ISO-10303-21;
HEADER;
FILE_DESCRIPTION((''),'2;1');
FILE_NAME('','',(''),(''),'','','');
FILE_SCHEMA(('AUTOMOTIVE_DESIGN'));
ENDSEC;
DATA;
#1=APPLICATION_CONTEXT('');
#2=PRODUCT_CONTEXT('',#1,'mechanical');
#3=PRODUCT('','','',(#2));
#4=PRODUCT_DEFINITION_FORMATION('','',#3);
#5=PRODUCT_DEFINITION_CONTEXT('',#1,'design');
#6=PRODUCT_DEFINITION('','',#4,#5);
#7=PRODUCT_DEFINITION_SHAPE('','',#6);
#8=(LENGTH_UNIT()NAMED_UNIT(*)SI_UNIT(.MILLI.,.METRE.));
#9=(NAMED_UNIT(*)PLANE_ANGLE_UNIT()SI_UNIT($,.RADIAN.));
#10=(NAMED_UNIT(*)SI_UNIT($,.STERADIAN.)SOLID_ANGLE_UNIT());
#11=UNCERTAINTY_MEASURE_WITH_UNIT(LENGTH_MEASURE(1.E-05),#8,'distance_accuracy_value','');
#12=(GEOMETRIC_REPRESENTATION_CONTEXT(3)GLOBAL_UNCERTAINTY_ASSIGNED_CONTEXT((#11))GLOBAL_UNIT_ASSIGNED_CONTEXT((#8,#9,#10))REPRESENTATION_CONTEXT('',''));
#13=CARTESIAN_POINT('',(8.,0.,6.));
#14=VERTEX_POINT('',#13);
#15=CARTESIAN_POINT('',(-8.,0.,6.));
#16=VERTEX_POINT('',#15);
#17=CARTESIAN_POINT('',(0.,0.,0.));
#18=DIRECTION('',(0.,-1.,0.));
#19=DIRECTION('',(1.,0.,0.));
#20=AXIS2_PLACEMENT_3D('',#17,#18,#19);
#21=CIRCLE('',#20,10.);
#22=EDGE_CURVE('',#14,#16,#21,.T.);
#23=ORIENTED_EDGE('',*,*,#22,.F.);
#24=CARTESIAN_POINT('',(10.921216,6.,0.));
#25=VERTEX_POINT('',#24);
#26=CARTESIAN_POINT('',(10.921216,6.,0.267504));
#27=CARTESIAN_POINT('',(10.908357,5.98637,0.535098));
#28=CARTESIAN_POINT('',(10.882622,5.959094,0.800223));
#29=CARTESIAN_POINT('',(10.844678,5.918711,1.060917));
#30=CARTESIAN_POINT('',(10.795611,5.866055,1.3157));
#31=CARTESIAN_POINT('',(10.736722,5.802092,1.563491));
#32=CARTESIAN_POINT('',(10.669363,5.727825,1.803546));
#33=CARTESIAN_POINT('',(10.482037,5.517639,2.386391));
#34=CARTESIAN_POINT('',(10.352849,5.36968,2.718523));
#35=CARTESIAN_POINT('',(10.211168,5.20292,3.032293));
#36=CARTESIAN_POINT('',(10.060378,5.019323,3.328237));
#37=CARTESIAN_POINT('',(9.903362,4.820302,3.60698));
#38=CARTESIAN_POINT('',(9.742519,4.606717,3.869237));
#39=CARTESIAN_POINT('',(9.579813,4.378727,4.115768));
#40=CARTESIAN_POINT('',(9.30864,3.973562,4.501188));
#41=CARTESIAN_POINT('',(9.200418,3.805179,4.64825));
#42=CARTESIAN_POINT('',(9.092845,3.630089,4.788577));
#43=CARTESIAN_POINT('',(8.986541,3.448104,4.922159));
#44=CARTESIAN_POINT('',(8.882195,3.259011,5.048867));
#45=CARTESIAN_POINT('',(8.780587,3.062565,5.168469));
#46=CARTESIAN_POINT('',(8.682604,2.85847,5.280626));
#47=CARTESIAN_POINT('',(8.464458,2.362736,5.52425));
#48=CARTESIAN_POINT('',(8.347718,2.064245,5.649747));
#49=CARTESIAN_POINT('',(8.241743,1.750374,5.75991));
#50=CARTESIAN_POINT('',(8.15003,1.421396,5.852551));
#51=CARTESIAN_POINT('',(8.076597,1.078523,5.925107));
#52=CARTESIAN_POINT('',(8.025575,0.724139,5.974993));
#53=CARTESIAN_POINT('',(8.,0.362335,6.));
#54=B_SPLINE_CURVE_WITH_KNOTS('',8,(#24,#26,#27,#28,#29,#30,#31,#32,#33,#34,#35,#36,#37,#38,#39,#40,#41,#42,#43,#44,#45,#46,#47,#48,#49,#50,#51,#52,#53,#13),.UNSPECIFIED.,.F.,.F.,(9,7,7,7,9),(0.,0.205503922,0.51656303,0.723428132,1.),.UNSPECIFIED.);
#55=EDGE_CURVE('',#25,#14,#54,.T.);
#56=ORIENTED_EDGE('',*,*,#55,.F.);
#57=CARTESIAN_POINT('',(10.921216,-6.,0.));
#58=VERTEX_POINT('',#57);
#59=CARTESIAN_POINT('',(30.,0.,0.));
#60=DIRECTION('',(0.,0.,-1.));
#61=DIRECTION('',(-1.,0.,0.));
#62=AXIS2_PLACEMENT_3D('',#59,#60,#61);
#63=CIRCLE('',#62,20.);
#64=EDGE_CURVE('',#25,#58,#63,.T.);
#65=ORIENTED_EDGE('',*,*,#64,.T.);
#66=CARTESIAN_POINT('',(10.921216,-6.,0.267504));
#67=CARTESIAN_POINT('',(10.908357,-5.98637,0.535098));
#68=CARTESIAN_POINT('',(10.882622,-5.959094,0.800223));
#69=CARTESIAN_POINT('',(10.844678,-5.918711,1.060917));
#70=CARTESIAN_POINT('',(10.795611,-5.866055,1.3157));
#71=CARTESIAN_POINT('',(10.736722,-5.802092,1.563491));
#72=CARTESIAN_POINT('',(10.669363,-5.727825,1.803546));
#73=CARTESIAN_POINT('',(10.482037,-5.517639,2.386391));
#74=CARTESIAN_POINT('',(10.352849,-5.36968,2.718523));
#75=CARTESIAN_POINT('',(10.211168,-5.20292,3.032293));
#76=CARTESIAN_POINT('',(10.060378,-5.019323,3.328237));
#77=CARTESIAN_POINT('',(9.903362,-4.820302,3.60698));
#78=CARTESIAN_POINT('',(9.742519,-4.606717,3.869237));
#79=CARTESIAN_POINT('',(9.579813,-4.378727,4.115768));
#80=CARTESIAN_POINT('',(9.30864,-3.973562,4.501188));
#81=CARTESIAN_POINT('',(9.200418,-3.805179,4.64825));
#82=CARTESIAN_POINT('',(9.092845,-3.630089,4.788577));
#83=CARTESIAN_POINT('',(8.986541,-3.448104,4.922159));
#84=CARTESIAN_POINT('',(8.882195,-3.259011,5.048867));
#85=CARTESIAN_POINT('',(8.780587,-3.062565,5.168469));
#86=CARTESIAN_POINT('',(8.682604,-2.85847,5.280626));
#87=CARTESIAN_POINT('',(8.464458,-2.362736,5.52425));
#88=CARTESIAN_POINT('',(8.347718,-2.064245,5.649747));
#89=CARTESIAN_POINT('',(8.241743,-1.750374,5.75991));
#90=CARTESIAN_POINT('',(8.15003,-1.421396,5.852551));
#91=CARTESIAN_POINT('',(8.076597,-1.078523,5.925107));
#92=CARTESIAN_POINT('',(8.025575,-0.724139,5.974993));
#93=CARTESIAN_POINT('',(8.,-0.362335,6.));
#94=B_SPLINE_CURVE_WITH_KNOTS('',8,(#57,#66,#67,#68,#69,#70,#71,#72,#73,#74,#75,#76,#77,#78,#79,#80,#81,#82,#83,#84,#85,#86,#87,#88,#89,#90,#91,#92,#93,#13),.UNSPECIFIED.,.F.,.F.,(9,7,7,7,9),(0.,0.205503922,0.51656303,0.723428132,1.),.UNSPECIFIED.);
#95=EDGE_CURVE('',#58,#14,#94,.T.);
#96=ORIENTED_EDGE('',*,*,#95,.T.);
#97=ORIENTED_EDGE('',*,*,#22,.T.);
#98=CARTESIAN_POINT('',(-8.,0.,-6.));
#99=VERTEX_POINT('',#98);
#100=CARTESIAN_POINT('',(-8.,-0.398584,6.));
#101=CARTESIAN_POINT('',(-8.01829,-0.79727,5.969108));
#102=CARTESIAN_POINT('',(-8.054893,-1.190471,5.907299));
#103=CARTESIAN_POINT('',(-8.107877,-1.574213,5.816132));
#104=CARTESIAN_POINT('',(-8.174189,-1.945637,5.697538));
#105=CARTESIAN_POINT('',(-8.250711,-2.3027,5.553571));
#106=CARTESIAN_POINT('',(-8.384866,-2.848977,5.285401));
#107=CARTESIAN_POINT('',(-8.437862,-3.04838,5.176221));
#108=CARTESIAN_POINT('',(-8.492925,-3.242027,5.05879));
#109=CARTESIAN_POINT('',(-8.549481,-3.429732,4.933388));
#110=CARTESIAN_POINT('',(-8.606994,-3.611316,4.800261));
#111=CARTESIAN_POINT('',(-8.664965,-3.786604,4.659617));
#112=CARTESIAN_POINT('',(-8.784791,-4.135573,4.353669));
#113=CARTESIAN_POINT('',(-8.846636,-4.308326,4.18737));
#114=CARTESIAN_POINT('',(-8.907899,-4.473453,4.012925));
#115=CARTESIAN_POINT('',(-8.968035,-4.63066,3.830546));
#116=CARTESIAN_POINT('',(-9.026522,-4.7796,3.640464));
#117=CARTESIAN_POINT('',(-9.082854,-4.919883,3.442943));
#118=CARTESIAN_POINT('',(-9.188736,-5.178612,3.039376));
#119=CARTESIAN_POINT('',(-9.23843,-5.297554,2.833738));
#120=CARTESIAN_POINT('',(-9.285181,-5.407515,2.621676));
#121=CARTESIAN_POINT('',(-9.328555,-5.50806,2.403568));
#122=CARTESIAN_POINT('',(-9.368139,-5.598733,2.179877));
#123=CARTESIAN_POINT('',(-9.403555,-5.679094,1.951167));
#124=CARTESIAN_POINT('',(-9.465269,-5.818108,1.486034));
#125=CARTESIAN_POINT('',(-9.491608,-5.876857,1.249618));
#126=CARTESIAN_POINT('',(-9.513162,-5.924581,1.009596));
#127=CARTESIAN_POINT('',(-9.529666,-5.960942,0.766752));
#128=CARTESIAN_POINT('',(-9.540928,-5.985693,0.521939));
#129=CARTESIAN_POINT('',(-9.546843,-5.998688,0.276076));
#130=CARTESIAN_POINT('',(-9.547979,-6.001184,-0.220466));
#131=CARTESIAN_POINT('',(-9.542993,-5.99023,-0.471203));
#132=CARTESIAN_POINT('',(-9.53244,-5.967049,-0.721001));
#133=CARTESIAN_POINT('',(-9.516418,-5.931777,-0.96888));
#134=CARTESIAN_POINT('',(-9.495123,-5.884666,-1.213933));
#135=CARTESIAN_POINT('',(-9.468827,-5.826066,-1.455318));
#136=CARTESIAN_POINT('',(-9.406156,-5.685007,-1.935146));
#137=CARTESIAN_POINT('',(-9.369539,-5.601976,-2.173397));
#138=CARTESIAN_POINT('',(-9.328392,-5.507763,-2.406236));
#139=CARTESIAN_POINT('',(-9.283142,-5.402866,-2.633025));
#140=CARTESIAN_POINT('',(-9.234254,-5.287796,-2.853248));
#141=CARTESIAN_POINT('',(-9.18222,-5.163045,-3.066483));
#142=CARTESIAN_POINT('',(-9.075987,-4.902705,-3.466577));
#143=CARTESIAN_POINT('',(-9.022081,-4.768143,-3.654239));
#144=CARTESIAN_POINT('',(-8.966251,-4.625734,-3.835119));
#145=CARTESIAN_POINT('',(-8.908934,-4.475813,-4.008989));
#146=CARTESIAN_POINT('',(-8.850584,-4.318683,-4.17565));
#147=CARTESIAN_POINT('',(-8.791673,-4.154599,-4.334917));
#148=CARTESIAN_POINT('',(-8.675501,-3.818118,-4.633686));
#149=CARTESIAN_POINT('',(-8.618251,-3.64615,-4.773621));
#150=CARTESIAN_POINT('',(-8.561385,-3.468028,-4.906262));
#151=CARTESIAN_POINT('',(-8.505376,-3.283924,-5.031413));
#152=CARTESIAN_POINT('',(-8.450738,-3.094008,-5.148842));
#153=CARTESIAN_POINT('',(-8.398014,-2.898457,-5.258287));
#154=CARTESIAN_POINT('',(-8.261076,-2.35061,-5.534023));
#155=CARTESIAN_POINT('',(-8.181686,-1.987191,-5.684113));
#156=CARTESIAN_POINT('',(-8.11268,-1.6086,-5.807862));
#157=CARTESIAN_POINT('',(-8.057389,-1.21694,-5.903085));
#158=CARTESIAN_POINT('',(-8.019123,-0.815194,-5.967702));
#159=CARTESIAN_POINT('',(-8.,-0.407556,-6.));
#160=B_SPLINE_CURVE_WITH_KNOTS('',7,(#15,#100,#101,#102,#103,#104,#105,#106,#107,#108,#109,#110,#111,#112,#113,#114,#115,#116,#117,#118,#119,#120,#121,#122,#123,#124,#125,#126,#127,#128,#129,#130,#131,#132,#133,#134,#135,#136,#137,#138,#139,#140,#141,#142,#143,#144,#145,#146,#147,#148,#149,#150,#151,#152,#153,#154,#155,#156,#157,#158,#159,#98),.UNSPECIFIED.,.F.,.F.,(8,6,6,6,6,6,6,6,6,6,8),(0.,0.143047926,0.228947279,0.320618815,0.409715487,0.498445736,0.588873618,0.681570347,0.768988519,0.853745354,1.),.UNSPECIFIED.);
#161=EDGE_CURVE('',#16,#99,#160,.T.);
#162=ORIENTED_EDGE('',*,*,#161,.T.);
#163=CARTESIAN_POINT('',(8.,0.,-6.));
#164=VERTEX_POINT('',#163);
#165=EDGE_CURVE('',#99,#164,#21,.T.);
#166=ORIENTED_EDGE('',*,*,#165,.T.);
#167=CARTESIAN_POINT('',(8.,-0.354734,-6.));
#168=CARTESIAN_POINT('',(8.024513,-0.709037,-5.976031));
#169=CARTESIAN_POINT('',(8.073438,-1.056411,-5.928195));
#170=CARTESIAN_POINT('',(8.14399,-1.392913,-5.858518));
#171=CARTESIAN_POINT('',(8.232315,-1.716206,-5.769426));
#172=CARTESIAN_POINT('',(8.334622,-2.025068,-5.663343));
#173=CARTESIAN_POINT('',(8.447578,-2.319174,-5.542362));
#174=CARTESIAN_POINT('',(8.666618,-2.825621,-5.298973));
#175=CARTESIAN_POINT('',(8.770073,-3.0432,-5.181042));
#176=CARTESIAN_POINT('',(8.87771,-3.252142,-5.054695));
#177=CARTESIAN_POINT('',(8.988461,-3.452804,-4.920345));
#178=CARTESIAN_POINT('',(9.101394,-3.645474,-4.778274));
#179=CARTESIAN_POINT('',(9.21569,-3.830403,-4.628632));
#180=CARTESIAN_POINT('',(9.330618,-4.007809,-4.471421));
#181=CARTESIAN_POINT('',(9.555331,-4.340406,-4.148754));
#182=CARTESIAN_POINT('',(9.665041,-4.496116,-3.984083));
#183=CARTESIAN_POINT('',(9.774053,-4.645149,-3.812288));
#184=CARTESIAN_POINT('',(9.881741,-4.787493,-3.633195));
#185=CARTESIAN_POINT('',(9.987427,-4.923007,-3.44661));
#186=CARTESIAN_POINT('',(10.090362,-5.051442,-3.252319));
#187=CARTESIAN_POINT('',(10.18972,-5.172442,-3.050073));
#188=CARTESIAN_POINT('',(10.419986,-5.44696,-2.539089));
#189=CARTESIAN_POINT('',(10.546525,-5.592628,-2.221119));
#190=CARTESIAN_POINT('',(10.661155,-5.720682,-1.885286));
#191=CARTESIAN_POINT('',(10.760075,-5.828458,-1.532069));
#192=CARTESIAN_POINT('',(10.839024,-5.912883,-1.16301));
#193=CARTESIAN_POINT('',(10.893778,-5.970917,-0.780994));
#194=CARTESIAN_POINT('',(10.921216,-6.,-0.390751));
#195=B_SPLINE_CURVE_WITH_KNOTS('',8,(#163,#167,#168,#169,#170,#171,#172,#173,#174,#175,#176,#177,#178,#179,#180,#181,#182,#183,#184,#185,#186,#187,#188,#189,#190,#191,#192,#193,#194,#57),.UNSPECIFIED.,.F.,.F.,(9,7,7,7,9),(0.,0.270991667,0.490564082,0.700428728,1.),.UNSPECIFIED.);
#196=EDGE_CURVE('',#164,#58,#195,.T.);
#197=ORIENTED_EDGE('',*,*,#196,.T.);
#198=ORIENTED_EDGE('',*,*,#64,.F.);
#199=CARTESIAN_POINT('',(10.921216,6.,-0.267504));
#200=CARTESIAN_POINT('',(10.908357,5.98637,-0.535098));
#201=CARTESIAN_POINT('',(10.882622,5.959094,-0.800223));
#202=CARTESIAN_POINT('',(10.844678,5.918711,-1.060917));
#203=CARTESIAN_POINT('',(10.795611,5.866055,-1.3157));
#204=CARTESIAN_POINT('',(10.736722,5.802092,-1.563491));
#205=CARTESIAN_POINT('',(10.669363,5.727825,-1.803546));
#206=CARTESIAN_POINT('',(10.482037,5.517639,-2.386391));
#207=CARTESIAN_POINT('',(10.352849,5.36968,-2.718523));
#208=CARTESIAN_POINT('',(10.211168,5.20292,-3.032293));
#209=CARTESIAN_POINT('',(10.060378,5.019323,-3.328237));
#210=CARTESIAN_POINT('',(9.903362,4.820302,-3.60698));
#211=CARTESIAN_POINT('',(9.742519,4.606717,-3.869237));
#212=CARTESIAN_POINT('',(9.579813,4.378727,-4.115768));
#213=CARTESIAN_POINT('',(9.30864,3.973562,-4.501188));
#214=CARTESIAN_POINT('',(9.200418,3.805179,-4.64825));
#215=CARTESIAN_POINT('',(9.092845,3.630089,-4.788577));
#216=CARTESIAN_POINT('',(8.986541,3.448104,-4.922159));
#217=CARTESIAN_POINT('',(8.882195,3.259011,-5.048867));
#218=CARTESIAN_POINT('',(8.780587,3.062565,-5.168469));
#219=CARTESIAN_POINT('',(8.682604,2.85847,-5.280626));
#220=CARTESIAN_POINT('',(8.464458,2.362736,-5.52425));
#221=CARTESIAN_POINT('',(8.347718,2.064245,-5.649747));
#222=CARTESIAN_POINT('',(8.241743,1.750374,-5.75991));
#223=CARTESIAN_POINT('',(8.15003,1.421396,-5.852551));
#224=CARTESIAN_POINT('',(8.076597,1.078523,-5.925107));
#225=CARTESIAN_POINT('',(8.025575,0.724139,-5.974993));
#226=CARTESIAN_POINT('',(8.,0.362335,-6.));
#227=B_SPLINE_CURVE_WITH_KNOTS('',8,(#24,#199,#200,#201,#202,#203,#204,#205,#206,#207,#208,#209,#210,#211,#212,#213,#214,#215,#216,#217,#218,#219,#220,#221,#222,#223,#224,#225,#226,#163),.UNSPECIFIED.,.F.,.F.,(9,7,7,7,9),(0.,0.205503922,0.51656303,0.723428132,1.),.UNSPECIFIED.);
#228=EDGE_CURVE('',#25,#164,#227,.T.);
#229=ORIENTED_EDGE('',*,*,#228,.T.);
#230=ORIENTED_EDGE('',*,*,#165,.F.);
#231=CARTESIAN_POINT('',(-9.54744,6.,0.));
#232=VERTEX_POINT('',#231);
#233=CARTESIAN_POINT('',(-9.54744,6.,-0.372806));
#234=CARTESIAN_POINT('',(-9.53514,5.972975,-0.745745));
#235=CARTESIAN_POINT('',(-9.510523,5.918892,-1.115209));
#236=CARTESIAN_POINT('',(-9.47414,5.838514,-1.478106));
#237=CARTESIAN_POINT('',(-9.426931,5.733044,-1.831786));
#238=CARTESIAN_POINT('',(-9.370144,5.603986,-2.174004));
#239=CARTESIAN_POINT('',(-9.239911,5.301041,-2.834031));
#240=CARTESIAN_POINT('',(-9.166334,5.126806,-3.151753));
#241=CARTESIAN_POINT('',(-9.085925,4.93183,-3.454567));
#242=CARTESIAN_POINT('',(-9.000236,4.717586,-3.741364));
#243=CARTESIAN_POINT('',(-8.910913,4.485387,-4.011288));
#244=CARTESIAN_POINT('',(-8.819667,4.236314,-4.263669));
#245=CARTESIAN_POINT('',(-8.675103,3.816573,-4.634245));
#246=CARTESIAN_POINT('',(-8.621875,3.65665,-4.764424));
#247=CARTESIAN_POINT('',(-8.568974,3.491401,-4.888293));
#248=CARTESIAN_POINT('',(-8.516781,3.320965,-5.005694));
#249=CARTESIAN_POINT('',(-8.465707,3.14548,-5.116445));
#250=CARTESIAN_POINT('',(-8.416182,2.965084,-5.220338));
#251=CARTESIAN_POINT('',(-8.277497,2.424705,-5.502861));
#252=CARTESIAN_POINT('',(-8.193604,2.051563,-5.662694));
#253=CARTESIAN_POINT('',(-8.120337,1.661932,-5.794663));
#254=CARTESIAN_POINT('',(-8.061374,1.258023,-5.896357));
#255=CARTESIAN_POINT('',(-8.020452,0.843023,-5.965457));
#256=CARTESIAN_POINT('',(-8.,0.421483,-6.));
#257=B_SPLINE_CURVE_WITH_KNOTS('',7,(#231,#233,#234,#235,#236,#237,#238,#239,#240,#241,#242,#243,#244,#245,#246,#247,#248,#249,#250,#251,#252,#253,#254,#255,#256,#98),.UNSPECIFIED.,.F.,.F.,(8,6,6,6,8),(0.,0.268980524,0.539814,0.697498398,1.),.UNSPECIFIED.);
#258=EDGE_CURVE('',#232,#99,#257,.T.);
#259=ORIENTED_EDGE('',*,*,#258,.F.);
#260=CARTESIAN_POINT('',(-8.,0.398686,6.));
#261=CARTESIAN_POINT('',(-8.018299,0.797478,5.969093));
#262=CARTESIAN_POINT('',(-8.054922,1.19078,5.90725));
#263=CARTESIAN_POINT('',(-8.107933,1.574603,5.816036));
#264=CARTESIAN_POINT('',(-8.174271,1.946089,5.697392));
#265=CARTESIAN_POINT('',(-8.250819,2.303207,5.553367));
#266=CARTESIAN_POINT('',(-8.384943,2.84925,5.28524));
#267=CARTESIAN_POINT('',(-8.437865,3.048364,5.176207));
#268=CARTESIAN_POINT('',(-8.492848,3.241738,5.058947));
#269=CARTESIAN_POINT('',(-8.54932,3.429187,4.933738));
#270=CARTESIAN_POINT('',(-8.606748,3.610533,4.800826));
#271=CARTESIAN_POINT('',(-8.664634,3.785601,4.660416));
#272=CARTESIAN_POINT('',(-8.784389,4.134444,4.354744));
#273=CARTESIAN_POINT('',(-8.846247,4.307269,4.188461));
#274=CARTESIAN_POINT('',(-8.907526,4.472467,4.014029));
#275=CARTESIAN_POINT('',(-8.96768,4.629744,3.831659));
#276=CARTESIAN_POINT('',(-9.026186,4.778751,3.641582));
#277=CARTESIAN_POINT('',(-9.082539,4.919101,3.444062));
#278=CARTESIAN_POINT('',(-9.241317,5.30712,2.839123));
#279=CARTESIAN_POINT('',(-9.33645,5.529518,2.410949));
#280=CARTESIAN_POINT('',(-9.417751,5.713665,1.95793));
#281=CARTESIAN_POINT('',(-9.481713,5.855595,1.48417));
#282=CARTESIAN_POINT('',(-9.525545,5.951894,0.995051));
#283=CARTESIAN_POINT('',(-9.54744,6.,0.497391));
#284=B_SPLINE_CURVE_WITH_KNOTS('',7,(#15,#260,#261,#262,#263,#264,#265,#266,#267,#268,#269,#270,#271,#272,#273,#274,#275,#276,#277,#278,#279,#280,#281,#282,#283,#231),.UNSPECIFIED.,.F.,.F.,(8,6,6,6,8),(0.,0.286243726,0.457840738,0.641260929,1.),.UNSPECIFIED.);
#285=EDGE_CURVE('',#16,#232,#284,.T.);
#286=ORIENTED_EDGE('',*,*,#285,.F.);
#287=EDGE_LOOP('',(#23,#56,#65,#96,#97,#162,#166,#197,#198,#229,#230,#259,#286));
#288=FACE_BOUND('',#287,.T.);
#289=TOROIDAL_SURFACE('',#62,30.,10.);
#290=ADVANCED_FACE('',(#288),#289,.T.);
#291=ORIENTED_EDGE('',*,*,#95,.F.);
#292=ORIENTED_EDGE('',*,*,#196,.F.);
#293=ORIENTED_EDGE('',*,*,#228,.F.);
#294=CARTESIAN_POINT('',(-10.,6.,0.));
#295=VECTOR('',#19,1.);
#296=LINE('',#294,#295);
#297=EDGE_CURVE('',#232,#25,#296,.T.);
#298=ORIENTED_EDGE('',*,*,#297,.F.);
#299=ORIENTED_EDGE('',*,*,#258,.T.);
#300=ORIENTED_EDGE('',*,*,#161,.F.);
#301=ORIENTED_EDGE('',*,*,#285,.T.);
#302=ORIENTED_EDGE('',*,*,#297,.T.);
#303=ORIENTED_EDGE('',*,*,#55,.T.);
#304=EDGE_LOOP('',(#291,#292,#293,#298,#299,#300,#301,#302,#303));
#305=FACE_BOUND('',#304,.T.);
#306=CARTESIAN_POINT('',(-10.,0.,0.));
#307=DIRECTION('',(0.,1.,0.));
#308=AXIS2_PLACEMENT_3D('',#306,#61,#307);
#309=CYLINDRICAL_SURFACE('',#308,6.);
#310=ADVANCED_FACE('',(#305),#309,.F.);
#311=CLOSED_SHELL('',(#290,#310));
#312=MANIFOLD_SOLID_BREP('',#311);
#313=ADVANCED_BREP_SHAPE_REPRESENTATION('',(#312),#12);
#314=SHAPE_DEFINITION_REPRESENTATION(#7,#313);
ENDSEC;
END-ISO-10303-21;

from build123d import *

# Parameters (mm, degrees)
F0_R     = 10
F5_R     = 6
F6_DEPTH = 25


with BuildPart() as f1:
    # F0 (on Front) → F1 (revolve)
    with BuildSketch(Plane.XZ):
        Circle(F0_R)
    revolve(axis=Axis((30, 0, 10.425732), (0, 0, -1)))

    # F5 (on offset) → F6 (cut)
    with BuildSketch(Plane.YZ.offset(-10)):
        Circle(F5_R)
    extrude(amount=F6_DEPTH, mode=Mode.SUBTRACT)


solid = f1.part
